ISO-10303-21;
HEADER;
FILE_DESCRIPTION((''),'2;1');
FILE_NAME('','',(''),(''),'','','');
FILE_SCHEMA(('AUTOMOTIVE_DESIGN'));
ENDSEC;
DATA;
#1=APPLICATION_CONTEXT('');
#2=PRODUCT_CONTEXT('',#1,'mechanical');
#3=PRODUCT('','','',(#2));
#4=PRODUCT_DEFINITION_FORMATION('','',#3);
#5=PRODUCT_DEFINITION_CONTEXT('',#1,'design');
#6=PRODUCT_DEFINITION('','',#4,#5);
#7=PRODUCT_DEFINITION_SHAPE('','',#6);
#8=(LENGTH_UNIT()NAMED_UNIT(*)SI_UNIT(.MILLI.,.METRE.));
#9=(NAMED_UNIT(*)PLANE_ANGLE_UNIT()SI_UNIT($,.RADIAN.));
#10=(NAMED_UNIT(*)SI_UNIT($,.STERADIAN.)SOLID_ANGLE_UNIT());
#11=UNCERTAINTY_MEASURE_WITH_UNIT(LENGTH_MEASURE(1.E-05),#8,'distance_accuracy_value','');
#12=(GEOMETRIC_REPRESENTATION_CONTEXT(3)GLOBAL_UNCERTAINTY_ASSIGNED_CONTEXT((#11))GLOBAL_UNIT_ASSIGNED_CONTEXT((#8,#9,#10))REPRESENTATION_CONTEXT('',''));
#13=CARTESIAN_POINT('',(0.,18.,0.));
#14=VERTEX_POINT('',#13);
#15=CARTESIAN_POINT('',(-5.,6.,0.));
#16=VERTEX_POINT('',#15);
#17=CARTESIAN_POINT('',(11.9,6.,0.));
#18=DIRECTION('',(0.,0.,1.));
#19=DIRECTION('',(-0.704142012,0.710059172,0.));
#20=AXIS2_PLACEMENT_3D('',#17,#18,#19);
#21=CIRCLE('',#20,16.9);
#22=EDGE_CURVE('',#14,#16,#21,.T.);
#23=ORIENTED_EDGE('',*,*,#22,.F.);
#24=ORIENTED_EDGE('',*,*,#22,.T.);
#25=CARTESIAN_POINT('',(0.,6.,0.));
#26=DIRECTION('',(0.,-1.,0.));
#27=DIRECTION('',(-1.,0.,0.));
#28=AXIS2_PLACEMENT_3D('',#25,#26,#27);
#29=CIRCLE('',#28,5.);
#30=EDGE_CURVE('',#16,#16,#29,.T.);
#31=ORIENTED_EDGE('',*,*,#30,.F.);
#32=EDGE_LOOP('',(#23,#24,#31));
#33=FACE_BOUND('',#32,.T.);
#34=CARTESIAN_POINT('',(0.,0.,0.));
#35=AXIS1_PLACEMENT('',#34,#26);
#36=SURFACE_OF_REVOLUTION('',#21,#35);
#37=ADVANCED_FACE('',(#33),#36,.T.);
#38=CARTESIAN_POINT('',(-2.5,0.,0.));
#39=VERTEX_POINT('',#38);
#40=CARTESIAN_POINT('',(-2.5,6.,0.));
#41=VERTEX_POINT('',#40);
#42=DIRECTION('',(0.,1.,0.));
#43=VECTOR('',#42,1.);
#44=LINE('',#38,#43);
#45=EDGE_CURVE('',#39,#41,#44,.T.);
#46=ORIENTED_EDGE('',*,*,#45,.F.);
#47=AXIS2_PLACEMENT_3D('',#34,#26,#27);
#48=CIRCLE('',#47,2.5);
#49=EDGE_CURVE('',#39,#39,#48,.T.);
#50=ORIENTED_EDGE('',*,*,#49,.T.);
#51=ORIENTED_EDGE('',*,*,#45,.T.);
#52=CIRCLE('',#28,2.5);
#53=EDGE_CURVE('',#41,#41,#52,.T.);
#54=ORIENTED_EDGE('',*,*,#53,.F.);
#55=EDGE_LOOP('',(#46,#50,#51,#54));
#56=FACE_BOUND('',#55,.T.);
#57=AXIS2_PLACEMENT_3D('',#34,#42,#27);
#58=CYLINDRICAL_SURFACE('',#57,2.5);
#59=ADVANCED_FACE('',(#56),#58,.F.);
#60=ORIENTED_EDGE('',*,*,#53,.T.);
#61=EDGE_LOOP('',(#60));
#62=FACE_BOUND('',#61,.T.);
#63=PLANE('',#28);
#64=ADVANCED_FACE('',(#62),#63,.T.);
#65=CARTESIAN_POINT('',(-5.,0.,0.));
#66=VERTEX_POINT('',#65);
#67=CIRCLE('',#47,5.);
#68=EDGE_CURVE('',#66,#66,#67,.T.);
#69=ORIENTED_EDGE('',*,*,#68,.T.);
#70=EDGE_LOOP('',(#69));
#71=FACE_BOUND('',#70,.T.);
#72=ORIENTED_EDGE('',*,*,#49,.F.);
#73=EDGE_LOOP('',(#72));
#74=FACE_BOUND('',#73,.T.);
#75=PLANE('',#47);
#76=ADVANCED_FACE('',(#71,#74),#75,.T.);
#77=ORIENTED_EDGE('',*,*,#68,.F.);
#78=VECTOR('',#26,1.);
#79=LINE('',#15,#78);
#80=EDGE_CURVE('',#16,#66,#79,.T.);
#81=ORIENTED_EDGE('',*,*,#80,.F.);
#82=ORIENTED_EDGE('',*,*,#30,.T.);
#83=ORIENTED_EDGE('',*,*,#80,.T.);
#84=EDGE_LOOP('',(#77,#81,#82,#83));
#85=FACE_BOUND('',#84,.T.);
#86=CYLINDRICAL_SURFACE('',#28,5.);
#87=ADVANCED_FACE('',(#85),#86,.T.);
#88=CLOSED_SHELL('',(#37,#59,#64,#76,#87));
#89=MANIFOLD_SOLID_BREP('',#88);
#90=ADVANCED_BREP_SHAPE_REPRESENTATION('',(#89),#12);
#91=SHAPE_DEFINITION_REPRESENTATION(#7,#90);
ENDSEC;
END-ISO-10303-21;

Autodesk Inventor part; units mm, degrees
ref_plane "YZ Plane" through (0, 0, 0) normal (1, 0, 0) x (0, 1, 0)
ref_plane "XZ Plane" through (0, 0, 0) normal (0, 1, 0) x (-1, 0, 0)
ref_plane "XY Plane" through (0, 0, 0) normal (0, 0, 1) x (1, 0, 0)
sketch "Sketch1" plane through (0, 0, 0) normal (0, 0, 1) x (1, 0, 0)
  line L0 (-2.5, 0) -> (-2.5, 6)
  line L1 (-2.5, 6) -> (0, 6)
  line L2 (0, 6) -> (0, 18)
  line L3 (-5, 6) -> (-5, 0)
  line L4 (-5, 0) -> (-2.5, 0)
  arc A0 (0, 18) -> (-5, 6) centre (11.9, 6) ccw
  line L5 (0, 0) -> (0, -10.9091)
  dimension "d0" = 5
  dimension "d1" = 10
  dimension "d2" = 18
  dimension "d3" = 6
revolve "Revolution1" add sketch "Sketch1" angle 360 about axis through (0, 0, 0) along (0, -1, 0)
properties part number "MOTOR SHAFT NUT"
